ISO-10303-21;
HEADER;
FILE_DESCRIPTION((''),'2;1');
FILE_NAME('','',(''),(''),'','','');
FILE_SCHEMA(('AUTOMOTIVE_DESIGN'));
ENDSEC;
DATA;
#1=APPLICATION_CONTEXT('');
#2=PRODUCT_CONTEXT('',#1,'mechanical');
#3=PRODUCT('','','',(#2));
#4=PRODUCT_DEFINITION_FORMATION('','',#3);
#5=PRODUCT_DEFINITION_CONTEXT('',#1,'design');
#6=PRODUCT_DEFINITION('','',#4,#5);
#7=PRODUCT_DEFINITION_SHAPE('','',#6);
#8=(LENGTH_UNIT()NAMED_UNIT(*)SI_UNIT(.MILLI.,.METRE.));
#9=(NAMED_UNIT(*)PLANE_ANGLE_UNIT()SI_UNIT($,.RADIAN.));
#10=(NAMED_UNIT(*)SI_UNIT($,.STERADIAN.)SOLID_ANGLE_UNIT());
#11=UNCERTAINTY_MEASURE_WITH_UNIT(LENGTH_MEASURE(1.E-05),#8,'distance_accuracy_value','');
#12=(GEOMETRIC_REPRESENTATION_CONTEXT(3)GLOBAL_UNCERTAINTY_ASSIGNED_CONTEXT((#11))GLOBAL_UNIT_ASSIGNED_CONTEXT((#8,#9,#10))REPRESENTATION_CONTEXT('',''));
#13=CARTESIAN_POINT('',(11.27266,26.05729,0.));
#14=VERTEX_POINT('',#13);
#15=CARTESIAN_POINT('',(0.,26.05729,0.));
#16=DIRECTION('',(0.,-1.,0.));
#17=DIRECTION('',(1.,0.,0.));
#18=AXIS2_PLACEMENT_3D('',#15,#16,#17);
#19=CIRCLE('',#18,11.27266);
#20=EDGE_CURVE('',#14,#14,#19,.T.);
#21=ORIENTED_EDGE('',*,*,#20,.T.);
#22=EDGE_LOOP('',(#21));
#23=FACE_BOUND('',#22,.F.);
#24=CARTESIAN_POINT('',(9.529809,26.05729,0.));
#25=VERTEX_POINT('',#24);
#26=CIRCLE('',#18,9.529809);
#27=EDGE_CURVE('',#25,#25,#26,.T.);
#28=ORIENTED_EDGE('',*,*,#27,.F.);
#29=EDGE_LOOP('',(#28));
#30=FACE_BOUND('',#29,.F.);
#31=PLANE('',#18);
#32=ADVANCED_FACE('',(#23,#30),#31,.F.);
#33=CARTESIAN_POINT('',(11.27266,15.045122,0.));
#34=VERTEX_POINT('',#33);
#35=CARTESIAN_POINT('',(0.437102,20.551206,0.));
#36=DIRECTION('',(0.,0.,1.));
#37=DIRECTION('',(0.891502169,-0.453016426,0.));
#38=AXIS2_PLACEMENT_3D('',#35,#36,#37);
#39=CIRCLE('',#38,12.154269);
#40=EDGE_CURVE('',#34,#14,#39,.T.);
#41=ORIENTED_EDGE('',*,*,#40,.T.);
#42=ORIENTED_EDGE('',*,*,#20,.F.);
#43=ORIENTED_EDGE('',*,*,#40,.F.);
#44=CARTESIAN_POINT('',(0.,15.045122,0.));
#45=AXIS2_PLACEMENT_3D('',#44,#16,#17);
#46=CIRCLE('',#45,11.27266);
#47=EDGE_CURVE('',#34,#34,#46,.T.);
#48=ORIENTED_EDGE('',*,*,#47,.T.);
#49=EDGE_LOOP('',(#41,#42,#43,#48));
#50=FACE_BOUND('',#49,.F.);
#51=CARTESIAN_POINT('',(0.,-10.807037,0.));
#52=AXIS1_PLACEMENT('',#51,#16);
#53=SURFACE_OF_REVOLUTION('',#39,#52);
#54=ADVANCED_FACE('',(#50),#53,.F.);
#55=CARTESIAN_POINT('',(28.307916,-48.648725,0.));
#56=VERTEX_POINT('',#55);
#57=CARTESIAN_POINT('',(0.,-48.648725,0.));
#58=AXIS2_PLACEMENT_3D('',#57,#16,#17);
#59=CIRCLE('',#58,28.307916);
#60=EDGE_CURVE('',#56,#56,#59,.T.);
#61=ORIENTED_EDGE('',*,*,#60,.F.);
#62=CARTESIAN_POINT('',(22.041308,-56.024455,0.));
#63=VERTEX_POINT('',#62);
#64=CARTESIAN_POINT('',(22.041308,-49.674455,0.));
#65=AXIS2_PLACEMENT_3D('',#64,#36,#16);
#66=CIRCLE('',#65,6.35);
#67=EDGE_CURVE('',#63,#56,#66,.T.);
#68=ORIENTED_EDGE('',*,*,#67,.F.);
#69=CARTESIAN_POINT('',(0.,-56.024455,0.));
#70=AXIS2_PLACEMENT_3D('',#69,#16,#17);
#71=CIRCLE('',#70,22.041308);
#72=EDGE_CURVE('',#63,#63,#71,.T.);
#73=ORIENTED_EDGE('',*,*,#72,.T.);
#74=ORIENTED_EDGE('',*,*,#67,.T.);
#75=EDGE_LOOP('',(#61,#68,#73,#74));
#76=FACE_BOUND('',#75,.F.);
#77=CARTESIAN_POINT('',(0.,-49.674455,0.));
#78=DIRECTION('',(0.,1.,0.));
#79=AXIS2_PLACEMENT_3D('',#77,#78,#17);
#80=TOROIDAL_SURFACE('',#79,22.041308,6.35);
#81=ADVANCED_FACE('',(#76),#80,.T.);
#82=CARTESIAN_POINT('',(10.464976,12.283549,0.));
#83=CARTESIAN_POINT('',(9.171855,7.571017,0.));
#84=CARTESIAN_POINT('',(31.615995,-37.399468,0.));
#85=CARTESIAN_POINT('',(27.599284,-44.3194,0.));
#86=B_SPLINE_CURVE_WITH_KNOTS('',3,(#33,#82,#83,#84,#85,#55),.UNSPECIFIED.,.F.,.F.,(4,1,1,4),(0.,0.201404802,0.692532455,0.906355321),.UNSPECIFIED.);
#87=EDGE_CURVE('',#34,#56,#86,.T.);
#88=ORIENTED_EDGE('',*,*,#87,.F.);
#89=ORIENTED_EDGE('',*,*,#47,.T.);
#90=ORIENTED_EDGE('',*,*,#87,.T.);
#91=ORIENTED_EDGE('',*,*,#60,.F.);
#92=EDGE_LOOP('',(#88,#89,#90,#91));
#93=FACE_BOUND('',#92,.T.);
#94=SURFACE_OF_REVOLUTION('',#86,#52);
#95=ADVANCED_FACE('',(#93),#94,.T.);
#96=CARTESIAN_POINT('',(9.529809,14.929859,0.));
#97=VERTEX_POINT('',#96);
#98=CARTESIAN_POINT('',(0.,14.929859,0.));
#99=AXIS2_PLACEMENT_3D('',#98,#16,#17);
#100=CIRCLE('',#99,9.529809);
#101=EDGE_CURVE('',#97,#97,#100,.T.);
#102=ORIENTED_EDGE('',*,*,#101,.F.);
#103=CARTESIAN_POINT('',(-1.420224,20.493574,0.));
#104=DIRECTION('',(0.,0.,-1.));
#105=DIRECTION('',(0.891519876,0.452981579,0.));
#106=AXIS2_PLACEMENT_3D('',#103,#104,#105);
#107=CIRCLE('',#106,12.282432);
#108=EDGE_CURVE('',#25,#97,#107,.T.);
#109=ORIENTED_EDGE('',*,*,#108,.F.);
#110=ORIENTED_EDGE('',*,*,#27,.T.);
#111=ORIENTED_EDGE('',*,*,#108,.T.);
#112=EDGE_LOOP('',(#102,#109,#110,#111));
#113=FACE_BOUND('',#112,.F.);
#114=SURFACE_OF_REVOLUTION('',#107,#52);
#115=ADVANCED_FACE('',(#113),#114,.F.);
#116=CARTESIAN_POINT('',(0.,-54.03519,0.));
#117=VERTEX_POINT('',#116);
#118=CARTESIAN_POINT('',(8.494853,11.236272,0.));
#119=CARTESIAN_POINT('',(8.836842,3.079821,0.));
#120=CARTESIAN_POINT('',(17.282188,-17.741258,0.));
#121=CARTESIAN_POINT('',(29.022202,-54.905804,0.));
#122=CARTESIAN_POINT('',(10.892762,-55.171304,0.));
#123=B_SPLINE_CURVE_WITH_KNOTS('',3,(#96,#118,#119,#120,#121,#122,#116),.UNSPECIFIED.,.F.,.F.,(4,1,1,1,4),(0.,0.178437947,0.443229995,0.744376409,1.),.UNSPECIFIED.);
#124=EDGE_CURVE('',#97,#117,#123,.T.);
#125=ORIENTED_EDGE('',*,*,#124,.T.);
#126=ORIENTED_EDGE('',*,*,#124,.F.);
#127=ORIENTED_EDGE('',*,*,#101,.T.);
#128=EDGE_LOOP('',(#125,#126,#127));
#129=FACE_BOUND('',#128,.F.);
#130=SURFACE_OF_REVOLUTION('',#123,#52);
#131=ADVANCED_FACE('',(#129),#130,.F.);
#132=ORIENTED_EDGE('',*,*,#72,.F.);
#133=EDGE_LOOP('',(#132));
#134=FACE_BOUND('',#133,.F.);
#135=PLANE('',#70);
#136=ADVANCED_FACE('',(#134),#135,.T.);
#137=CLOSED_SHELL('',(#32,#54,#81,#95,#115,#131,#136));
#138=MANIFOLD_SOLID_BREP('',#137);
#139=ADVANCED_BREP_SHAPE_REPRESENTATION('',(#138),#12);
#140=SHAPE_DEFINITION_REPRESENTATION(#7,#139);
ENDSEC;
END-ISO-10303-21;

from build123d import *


with BuildPart() as f1:
    # F0 (on Top) → F1 (revolve)
    with BuildSketch(Plane.XY):
        with BuildLine():
            add(Edge.make_bspline(
                [(11.2726595253, 15.0451224868), (10.4649756428, 12.2835487466), (9.1718545697, 7.5710166755), (31.6159948462, -37.399468077), (27.599284052, -44.319399599), (28.3079163308, -48.6487245483)],
                knots=[0, 0, 0, 0, 0.2014048018, 0.6925324553, 0.9063553209, 0.9063553209, 0.9063553209, 0.9063553209], degree=3))
            ThreePointArc((11.2726595253, 15.0451224868), (12.5913713958, 20.5512062), (11.2726595253, 26.0572899133))
            Line((11.2726595253, 26.0572899133), (9.5298085362, 26.0572899133))
            ThreePointArc((9.5298085362, 26.0572899133), (10.8622082911, 20.4935744405), (9.5298085362, 14.9298589677))
            add(Edge.make_bspline(
                [(9.5298085362, 14.9298589677), (8.4948533616, 11.2362715123), (8.836842351, 3.0798210381), (17.2821878649, -17.7412580526), (29.0222023112, -54.905804099), (10.8927619791, -55.1713038591), (0, -54.0351904929)],
                knots=[0, 0, 0, 0, 0.1784379475, 0.4432299947, 0.7443764088, 1, 1, 1, 1], degree=3))
            Line((0, -54.0351904929), (0, -56.0244550765))
            Line((0, -56.0244550765), (22.0413082463, -56.0244550765))
            ThreePointArc((22.0413082463, -56.0244550765), (26.8805173167, -53.7859700738), (28.3079163308, -48.6487245483))
        make_face()
    revolve(axis=Axis((0, -10.8070373535, 0), (0, -1, 0)))


solid = f1.part
